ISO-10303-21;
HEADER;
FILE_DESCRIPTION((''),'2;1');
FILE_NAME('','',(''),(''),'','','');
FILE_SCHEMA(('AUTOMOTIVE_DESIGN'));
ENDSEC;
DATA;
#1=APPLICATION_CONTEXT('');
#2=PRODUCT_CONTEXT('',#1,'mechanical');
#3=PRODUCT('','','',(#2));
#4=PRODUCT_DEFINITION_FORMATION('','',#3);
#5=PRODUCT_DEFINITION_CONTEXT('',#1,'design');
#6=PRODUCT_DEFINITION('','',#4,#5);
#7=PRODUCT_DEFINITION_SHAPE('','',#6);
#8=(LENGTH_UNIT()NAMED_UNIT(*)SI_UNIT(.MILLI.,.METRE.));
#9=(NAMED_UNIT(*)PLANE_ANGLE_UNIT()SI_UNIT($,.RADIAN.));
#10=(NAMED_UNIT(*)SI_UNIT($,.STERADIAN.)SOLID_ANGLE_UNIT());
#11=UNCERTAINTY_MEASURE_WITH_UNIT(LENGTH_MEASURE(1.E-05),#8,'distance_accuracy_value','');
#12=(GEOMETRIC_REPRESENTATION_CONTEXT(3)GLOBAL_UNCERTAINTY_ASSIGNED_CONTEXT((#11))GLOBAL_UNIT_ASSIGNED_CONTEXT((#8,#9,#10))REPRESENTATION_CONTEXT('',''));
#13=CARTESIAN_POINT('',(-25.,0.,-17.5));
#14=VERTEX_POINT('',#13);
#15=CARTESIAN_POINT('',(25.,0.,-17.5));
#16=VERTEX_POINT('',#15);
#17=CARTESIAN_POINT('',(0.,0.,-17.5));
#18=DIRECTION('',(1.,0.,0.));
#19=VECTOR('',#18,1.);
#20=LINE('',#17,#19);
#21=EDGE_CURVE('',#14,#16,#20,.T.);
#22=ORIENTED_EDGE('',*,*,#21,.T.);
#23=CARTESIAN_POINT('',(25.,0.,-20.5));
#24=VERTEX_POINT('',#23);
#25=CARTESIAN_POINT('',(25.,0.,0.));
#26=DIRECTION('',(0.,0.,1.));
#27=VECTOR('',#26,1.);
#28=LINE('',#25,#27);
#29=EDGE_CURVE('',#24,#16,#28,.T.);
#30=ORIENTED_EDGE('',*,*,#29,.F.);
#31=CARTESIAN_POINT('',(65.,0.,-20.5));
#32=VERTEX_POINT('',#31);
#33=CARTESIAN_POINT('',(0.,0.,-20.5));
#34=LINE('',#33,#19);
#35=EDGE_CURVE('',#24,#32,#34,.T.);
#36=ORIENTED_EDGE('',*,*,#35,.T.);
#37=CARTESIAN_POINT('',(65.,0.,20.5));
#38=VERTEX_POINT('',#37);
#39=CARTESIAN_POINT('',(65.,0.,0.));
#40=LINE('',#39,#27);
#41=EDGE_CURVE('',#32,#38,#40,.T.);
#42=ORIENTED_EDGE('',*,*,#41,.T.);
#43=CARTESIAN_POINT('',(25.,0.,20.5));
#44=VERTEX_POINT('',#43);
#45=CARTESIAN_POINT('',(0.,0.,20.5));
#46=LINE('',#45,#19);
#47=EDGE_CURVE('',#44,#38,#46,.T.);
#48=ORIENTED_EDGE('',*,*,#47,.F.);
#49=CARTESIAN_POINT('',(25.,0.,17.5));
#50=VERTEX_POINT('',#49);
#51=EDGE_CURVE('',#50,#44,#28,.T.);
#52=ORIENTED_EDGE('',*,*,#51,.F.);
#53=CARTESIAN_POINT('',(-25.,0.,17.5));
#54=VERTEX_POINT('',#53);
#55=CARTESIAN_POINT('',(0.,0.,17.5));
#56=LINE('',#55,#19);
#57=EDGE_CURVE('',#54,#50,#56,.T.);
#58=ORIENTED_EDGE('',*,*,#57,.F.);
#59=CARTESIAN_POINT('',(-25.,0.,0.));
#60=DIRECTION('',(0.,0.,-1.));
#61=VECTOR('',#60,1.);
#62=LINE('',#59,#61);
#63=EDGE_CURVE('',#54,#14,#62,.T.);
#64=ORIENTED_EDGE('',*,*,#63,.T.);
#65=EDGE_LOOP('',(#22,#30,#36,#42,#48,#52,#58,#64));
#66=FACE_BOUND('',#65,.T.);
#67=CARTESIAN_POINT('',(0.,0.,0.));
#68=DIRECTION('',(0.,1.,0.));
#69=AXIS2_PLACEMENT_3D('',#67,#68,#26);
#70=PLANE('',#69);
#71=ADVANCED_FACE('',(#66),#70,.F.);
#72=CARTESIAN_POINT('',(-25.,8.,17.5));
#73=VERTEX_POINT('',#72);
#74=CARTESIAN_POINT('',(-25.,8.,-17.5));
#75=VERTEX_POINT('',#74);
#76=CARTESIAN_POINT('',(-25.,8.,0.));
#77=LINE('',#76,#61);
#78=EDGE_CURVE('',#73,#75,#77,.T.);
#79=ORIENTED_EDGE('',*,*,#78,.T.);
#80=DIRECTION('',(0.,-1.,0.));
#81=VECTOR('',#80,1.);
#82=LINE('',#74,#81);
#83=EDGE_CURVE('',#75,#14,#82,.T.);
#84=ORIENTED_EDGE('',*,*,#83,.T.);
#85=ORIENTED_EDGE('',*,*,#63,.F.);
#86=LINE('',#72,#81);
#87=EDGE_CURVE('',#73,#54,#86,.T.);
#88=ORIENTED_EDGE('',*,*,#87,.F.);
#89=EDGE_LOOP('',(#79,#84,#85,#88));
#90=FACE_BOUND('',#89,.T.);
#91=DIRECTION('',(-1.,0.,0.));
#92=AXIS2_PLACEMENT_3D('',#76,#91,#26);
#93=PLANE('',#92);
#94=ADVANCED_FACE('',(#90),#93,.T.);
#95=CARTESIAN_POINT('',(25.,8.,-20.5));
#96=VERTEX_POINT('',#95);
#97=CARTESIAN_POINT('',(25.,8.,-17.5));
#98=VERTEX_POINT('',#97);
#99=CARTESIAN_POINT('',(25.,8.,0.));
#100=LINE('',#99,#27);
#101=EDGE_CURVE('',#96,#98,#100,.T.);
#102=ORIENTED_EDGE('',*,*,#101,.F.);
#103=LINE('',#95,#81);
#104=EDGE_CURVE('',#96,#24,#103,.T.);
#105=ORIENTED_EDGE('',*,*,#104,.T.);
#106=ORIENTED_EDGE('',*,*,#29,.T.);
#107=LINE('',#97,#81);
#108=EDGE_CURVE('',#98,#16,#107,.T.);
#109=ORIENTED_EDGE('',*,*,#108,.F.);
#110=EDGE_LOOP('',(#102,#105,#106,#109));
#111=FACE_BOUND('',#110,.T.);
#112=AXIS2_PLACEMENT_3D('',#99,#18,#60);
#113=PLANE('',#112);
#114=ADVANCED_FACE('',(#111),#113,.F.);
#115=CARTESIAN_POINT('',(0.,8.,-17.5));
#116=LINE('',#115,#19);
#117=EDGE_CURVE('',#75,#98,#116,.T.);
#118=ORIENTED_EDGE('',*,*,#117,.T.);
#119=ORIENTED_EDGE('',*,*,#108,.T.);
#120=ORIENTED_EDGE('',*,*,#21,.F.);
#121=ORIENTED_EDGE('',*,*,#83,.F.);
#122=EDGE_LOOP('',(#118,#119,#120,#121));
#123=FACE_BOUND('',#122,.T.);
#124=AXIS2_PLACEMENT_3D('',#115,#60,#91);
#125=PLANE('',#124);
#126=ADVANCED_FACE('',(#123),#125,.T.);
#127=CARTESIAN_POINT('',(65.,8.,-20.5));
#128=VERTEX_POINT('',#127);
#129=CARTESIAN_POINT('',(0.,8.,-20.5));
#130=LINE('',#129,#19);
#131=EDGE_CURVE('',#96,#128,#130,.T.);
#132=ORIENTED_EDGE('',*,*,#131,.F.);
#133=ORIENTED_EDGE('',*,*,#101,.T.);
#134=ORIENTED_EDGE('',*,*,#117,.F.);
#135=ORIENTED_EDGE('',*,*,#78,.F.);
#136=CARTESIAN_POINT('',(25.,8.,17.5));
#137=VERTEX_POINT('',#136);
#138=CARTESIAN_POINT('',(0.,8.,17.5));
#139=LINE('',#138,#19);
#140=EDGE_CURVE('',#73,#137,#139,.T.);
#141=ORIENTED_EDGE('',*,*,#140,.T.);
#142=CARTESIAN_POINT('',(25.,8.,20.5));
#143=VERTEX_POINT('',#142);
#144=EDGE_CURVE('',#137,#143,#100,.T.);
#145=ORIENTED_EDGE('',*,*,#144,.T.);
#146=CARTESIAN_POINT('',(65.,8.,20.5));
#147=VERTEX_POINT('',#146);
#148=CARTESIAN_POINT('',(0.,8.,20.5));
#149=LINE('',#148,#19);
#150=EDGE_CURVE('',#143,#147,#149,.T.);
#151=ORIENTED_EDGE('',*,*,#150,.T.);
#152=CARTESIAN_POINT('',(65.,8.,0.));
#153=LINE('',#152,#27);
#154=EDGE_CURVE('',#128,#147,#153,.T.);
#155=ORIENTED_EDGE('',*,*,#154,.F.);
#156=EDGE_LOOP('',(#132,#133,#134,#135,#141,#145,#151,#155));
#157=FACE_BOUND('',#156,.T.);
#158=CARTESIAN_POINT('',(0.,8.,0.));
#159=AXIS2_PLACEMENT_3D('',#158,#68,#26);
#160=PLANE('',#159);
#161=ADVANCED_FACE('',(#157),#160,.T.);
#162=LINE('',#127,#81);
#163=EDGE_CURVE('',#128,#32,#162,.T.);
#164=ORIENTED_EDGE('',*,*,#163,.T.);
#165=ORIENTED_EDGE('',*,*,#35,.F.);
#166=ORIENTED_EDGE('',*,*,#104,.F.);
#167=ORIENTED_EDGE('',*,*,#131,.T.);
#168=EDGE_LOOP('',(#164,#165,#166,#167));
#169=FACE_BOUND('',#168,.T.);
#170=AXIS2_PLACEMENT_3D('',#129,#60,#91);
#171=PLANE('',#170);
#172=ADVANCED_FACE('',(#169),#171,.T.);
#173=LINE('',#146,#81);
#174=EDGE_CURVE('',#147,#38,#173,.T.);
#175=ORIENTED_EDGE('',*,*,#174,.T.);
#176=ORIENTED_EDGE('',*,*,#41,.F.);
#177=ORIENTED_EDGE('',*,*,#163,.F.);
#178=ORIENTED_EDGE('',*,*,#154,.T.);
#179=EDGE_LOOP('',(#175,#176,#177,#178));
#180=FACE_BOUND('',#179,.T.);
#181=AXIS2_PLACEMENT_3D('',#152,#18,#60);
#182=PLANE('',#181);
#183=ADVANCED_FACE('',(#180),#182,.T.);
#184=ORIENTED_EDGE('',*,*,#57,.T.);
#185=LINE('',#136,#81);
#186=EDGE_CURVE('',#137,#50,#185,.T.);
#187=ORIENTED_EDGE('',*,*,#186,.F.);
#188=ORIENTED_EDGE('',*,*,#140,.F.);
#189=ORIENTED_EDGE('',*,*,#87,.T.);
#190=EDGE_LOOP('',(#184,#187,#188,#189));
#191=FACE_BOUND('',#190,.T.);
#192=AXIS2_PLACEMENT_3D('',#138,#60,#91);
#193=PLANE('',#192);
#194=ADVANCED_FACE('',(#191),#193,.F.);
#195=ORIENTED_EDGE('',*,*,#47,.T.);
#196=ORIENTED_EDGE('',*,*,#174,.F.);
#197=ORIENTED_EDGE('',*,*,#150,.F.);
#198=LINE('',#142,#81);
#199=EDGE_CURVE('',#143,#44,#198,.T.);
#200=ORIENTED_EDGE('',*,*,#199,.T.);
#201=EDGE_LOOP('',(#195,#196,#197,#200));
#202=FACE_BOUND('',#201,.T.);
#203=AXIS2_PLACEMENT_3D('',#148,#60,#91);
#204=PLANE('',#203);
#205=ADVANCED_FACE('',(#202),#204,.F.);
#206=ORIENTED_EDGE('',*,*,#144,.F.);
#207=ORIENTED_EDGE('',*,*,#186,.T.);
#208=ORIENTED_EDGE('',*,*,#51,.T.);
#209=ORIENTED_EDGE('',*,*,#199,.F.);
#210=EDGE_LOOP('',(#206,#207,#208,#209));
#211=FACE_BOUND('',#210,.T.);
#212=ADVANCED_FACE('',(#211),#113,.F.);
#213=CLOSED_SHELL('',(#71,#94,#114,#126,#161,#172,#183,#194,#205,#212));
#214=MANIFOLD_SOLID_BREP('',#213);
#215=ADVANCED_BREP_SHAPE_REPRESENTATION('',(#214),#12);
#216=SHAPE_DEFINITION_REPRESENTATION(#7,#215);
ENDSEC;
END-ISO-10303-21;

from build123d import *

# Parameters (mm, degrees)
BOSS_EXTRUDE1_DEPTH = 8


with BuildPart() as part:
    # Sketch1 → Boss-Extrude1 (new body)
    with BuildSketch(Plane(origin=(0, 0, 0), x_dir=(1, 0, 0), z_dir=(0, 1, 0))):
        Polygon((25, 20.5), (25, 17.5), (-25, 17.5), (-25, -17.5), (25, -17.5), (25, -20.5), (65, -20.5), (65, 20.5), align=None)
    extrude(amount=BOSS_EXTRUDE1_DEPTH)


solid = part.part
